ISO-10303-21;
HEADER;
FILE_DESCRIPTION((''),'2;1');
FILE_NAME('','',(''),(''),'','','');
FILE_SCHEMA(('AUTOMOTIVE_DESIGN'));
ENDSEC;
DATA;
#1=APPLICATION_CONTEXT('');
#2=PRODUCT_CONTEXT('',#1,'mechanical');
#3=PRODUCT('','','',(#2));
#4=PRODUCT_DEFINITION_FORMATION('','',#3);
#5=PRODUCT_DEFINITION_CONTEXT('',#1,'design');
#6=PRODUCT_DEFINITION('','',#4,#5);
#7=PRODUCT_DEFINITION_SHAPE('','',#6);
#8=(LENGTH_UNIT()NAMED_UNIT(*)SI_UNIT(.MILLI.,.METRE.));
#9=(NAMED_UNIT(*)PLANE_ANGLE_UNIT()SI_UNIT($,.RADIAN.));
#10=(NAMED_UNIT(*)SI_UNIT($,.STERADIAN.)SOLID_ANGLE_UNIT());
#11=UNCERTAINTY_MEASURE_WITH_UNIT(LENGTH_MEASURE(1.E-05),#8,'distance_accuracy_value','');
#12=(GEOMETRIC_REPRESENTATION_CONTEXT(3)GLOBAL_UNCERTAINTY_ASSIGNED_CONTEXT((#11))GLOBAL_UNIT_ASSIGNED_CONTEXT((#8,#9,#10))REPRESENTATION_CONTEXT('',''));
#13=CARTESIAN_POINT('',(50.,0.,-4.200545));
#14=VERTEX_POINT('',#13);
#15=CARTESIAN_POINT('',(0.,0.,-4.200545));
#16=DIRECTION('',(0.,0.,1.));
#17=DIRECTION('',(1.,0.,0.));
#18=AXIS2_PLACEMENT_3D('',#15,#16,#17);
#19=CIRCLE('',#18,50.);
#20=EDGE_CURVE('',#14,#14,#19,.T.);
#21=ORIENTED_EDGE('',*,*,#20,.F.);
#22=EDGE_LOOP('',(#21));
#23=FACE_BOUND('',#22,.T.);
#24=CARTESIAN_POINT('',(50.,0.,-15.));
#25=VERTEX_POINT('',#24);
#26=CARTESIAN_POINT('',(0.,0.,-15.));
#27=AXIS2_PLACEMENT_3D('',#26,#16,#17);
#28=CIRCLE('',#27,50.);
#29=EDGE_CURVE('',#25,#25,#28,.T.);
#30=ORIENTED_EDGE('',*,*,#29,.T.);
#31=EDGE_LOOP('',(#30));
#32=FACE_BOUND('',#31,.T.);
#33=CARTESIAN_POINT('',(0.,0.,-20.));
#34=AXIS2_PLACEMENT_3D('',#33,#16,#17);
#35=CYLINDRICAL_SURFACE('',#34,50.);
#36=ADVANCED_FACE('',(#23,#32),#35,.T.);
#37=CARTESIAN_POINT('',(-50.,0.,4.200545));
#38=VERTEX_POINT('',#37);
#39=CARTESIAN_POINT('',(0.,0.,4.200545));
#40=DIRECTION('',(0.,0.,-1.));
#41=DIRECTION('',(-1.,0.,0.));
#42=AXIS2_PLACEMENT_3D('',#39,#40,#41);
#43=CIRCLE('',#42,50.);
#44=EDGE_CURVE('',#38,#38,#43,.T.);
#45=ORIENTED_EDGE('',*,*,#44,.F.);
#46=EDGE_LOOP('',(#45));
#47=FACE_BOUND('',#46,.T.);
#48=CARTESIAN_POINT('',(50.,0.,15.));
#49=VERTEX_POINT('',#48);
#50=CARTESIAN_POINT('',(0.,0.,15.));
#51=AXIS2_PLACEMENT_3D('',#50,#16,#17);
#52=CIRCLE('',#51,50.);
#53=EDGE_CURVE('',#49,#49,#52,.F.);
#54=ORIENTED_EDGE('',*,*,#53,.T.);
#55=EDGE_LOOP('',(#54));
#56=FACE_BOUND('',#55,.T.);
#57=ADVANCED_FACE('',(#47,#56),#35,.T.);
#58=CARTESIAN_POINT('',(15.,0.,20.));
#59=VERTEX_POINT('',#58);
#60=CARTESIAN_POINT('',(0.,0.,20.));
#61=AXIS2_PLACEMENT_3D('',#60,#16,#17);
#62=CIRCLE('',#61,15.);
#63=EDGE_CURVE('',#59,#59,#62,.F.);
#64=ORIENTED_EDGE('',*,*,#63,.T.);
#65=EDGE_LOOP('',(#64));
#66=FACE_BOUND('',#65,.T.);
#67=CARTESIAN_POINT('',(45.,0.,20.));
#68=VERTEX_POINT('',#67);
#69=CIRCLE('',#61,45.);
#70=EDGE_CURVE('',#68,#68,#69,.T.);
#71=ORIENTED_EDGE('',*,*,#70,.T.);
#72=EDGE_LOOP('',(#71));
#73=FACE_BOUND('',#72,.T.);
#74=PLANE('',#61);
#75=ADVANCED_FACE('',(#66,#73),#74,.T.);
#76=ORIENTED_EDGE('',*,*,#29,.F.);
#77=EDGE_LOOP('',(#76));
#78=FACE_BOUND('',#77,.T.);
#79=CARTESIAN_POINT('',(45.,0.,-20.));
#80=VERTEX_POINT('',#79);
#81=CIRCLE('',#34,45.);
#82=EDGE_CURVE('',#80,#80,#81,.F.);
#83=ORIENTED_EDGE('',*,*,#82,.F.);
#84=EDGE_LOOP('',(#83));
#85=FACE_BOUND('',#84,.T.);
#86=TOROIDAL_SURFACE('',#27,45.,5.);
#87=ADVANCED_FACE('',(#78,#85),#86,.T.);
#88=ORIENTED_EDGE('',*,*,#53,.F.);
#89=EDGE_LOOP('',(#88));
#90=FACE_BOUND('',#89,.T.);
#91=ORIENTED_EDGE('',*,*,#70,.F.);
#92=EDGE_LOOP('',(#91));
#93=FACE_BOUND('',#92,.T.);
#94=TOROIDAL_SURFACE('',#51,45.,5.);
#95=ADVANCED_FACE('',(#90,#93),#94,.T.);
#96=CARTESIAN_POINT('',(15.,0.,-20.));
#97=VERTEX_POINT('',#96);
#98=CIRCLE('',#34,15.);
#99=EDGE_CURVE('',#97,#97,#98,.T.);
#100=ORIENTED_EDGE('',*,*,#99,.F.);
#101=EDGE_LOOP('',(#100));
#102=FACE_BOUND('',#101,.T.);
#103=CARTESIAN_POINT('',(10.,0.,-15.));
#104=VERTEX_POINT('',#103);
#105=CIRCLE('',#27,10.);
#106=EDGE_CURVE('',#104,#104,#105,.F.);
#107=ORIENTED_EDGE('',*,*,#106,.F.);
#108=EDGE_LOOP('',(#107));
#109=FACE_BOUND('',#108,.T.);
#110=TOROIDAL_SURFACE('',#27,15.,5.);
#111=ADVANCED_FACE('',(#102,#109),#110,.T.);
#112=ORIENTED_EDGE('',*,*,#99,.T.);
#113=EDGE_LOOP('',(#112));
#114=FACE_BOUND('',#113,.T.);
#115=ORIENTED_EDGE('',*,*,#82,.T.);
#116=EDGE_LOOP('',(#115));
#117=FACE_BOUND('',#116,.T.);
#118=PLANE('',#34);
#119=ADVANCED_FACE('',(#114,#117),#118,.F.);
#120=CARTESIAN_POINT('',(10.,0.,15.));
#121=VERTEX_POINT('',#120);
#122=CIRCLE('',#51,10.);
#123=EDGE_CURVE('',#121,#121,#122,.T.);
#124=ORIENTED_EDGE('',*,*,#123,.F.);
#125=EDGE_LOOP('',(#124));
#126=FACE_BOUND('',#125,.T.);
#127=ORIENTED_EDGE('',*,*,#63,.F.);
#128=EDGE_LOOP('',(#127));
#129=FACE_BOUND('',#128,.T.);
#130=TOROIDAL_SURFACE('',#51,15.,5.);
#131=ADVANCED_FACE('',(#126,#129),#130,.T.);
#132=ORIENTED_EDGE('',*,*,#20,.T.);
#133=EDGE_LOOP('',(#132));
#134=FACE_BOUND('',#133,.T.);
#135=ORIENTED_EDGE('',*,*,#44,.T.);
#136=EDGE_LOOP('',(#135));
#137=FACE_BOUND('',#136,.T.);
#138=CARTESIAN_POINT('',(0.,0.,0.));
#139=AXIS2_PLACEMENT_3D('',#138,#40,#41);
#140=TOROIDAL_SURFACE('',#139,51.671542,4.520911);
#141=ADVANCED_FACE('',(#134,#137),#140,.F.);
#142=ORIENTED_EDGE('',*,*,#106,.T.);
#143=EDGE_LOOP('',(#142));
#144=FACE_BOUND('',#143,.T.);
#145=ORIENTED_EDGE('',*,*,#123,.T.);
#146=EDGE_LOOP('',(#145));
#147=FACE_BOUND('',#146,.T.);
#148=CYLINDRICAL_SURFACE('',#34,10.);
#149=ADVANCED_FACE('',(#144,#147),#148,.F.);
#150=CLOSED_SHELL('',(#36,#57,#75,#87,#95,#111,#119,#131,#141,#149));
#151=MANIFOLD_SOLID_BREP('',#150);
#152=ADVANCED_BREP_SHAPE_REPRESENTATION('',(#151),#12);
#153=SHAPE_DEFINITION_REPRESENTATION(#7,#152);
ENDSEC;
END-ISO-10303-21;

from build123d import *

# Parameters (mm, degrees)
BOSS_EXTRUDE1_DEPTH      = 20
BOSS_EXTRUDE1_DEPTH_BACK = 20
SKETCH1_R                = 50
SKETCH1_R_2              = 10
FILLET1_R                = 5
SKETCH3_R                = 4.520910571


with BuildPart() as part:
    # Sketch1 → Boss-Extrude1 (new, two sides: drawn at the far end of the back side and taken through both)
    with BuildSketch(Plane.XY.offset(-BOSS_EXTRUDE1_DEPTH_BACK)):
        Circle(SKETCH1_R)
        Circle(SKETCH1_R_2, mode=Mode.SUBTRACT)
    extrude(amount=BOSS_EXTRUDE1_DEPTH + BOSS_EXTRUDE1_DEPTH_BACK)

    # Fillet1
    fillet1_edges = [part.edges().sort_by_distance(p)[0] for p in [
        (-10, 0, -20),
        (-10, 0, 20),
        (-50, 0, 20),
        (-50, 0, -20),
    ]]
    fillet(fillet1_edges, radius=FILLET1_R)

    # Sketch3 → Cut-Revolve1 (revolve, cut)
    with BuildSketch(Plane(origin=(0, 0, 0), x_dir=(1, 0, 0), z_dir=(0, 1, 0))):
        with Locations((-51.671542469, 0)):
            Circle(SKETCH3_R)
    revolve(axis=Axis((0, 0, -9.930437496), (0, 0, 1)), mode=Mode.SUBTRACT)


solid = part.part
